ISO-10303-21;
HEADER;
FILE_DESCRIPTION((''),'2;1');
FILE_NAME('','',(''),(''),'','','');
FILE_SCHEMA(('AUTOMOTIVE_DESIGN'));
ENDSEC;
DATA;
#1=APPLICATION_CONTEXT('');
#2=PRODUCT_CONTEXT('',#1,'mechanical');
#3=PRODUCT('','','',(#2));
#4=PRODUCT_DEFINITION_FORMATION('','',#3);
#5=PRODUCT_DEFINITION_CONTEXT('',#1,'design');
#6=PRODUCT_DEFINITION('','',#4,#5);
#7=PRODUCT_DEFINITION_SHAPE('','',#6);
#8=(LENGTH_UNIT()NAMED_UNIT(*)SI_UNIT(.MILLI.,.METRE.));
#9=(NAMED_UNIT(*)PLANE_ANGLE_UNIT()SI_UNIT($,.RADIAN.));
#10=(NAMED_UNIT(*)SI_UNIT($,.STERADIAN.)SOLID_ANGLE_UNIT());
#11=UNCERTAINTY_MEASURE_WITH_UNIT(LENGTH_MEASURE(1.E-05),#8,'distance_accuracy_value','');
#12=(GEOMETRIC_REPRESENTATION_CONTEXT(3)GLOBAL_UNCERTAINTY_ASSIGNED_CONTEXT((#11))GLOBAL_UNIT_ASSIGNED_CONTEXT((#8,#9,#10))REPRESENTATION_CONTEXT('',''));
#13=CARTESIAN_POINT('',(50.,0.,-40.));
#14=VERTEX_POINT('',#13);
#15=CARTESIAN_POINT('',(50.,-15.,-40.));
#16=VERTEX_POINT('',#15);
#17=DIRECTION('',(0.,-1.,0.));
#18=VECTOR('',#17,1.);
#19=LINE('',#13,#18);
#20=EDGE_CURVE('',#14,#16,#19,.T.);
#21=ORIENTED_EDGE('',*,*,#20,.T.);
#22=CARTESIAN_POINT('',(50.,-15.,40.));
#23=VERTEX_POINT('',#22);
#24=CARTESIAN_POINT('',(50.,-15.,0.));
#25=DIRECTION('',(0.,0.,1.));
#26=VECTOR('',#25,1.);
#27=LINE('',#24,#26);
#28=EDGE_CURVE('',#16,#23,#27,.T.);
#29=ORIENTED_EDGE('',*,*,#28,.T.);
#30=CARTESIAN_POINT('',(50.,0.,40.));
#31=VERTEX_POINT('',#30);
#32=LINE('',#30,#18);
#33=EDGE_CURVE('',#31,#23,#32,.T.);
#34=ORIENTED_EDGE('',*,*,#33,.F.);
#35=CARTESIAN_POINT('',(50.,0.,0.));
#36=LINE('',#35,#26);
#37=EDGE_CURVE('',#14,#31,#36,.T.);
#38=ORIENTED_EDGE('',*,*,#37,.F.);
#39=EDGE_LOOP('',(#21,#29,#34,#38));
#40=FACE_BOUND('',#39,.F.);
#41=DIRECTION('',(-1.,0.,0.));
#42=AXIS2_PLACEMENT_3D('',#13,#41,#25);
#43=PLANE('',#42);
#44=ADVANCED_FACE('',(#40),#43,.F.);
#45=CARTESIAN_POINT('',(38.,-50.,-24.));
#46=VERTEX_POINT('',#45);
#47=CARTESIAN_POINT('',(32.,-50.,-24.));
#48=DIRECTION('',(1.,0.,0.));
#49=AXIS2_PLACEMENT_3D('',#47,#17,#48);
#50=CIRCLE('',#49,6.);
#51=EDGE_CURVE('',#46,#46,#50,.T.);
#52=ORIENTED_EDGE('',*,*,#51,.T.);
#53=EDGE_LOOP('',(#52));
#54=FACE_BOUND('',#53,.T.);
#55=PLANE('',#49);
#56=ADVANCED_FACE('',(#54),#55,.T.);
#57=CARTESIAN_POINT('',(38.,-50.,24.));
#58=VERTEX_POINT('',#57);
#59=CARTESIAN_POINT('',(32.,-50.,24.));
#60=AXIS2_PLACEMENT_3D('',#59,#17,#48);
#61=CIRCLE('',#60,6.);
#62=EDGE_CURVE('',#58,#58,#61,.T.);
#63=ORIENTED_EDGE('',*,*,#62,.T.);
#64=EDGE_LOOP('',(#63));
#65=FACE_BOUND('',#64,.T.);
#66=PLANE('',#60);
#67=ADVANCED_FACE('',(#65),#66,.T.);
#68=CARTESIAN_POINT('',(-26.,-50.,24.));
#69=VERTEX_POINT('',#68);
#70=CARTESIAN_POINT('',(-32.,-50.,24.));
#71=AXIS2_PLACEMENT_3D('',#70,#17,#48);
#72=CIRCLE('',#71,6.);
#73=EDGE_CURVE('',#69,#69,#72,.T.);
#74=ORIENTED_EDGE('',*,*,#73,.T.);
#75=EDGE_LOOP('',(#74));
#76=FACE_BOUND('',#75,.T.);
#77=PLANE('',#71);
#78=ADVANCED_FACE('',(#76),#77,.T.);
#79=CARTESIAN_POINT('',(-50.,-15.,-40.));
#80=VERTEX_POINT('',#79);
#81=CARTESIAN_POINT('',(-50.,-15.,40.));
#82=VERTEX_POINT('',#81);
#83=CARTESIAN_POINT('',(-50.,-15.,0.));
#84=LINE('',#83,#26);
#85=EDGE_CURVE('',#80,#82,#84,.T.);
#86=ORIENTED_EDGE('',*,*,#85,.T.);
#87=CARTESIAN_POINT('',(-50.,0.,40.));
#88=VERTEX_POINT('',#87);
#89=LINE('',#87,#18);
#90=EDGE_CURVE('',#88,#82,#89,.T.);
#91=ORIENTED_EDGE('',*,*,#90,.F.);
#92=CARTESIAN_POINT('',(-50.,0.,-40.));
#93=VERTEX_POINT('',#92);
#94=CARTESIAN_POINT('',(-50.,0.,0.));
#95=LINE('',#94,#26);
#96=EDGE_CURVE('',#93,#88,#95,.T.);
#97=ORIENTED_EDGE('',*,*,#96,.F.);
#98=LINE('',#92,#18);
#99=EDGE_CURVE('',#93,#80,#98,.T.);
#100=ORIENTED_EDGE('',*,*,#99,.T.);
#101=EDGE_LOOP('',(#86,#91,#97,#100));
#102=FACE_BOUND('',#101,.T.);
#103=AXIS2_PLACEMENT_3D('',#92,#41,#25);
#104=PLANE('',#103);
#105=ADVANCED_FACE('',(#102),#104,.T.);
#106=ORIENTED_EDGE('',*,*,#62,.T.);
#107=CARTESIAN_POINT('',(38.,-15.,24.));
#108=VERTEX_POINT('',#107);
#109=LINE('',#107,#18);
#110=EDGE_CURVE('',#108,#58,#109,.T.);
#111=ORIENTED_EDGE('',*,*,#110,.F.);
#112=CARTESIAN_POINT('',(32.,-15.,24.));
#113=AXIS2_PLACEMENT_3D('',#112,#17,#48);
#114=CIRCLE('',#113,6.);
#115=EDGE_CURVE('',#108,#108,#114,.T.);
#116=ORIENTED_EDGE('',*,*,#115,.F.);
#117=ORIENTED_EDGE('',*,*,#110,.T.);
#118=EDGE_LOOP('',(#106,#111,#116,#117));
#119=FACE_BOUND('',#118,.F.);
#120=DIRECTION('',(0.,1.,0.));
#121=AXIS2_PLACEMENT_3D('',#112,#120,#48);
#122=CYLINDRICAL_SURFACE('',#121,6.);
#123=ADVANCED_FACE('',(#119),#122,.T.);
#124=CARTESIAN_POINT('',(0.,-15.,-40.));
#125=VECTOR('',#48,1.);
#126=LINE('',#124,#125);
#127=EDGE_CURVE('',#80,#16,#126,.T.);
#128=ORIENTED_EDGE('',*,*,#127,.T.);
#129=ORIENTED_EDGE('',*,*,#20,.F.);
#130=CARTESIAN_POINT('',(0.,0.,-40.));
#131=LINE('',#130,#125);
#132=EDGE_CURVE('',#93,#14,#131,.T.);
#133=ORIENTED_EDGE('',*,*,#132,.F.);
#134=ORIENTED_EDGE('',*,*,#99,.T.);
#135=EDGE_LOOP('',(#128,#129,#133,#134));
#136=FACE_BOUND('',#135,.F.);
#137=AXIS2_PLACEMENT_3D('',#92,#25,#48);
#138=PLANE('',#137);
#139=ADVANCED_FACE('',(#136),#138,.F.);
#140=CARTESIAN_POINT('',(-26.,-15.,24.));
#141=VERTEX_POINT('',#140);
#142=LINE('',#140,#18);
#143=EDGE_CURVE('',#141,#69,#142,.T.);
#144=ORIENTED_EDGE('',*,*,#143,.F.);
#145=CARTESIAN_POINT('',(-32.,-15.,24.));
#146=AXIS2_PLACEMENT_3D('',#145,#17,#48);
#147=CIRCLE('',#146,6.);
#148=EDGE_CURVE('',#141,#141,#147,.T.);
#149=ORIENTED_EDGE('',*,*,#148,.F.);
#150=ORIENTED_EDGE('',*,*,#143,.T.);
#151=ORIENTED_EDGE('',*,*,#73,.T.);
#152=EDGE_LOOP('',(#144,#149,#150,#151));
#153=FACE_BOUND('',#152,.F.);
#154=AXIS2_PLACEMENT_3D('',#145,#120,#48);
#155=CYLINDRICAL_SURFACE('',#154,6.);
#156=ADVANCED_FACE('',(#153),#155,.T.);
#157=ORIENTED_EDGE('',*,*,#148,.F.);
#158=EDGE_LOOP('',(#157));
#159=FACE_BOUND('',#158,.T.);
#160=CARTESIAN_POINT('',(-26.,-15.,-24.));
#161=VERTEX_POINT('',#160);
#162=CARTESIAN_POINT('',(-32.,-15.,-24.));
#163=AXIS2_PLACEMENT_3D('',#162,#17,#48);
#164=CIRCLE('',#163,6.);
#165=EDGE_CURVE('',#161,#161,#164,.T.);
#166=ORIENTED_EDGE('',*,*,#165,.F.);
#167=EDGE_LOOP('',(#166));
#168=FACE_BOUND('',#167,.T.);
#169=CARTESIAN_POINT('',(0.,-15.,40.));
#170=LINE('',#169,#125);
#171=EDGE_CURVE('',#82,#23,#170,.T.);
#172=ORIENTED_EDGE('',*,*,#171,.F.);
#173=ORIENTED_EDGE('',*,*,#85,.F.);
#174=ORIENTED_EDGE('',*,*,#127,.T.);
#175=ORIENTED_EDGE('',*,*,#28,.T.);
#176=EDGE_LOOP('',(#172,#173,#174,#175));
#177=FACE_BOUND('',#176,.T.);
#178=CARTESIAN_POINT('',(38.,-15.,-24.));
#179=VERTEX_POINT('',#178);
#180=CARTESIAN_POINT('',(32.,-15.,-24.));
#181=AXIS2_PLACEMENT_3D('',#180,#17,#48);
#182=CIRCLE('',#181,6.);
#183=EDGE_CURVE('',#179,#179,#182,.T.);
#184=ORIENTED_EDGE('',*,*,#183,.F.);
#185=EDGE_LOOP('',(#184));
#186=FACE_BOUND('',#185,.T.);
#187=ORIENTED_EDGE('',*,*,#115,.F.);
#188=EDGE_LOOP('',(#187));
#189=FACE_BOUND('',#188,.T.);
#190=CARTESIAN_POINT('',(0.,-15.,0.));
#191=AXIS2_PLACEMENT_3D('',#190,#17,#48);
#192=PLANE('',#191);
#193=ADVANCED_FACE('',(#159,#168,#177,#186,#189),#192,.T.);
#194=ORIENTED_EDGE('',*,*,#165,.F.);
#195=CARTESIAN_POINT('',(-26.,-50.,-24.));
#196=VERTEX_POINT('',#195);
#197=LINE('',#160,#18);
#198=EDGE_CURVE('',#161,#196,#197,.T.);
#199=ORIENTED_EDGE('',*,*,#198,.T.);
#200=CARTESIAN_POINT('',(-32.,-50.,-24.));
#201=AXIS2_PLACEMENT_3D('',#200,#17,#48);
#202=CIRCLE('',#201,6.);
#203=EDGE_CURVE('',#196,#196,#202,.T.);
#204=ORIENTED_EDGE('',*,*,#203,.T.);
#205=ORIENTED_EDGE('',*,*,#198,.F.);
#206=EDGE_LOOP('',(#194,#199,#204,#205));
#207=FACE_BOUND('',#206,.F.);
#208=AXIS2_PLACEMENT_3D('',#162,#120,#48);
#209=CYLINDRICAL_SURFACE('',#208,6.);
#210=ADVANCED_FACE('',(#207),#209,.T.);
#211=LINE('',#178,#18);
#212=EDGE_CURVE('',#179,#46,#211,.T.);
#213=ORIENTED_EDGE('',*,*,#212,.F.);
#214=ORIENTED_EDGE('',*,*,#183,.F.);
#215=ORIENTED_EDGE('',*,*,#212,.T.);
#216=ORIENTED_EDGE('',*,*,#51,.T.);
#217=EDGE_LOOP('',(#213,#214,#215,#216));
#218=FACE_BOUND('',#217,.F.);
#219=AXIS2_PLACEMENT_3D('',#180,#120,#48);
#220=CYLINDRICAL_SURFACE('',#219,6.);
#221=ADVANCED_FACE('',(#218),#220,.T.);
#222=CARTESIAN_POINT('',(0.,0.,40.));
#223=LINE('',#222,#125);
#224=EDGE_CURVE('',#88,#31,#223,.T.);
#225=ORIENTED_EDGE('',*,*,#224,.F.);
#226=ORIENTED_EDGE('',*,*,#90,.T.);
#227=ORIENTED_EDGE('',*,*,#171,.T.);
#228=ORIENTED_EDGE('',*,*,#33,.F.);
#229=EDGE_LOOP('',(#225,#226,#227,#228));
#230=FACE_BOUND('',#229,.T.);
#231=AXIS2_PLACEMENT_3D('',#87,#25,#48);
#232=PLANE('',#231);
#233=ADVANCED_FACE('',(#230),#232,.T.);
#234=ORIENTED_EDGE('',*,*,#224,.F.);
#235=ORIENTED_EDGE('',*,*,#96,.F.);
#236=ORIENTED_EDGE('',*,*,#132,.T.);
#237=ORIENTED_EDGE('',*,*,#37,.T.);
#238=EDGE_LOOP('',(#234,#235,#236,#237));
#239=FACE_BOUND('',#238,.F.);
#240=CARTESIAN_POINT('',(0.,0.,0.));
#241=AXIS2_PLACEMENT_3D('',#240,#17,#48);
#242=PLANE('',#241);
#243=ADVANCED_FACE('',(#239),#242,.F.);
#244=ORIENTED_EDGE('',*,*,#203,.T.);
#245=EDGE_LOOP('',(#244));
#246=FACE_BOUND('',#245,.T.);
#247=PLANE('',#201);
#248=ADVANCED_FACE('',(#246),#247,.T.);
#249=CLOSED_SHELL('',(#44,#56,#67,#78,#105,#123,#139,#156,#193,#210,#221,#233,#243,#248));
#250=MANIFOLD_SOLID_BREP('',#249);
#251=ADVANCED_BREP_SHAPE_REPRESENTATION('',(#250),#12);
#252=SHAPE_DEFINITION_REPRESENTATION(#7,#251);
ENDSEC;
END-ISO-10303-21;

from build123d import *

# Parameters (mm, degrees)
F0_W     = 100
F0_H     = 80
F1_DEPTH = 15
F2_R     = 6
F3_DEPTH = 35


with BuildPart() as f1:
    # F0 (on Front) → F1 (new body)
    with BuildSketch(Plane.XZ):
        Rectangle(F0_W, F0_H)
    extrude(amount=F1_DEPTH)

    # F2 (on face) → F3 (join)
    with BuildSketch(Plane.XZ.offset(15)):
        with Locations((-32, -24)):
            Circle(F2_R)
        with Locations((-32, 24)):
            Circle(F2_R)
        with Locations((32, 24)):
            Circle(F2_R)
        with Locations((32, -24)):
            Circle(F2_R)
    extrude(amount=F3_DEPTH)


solid = f1.part
